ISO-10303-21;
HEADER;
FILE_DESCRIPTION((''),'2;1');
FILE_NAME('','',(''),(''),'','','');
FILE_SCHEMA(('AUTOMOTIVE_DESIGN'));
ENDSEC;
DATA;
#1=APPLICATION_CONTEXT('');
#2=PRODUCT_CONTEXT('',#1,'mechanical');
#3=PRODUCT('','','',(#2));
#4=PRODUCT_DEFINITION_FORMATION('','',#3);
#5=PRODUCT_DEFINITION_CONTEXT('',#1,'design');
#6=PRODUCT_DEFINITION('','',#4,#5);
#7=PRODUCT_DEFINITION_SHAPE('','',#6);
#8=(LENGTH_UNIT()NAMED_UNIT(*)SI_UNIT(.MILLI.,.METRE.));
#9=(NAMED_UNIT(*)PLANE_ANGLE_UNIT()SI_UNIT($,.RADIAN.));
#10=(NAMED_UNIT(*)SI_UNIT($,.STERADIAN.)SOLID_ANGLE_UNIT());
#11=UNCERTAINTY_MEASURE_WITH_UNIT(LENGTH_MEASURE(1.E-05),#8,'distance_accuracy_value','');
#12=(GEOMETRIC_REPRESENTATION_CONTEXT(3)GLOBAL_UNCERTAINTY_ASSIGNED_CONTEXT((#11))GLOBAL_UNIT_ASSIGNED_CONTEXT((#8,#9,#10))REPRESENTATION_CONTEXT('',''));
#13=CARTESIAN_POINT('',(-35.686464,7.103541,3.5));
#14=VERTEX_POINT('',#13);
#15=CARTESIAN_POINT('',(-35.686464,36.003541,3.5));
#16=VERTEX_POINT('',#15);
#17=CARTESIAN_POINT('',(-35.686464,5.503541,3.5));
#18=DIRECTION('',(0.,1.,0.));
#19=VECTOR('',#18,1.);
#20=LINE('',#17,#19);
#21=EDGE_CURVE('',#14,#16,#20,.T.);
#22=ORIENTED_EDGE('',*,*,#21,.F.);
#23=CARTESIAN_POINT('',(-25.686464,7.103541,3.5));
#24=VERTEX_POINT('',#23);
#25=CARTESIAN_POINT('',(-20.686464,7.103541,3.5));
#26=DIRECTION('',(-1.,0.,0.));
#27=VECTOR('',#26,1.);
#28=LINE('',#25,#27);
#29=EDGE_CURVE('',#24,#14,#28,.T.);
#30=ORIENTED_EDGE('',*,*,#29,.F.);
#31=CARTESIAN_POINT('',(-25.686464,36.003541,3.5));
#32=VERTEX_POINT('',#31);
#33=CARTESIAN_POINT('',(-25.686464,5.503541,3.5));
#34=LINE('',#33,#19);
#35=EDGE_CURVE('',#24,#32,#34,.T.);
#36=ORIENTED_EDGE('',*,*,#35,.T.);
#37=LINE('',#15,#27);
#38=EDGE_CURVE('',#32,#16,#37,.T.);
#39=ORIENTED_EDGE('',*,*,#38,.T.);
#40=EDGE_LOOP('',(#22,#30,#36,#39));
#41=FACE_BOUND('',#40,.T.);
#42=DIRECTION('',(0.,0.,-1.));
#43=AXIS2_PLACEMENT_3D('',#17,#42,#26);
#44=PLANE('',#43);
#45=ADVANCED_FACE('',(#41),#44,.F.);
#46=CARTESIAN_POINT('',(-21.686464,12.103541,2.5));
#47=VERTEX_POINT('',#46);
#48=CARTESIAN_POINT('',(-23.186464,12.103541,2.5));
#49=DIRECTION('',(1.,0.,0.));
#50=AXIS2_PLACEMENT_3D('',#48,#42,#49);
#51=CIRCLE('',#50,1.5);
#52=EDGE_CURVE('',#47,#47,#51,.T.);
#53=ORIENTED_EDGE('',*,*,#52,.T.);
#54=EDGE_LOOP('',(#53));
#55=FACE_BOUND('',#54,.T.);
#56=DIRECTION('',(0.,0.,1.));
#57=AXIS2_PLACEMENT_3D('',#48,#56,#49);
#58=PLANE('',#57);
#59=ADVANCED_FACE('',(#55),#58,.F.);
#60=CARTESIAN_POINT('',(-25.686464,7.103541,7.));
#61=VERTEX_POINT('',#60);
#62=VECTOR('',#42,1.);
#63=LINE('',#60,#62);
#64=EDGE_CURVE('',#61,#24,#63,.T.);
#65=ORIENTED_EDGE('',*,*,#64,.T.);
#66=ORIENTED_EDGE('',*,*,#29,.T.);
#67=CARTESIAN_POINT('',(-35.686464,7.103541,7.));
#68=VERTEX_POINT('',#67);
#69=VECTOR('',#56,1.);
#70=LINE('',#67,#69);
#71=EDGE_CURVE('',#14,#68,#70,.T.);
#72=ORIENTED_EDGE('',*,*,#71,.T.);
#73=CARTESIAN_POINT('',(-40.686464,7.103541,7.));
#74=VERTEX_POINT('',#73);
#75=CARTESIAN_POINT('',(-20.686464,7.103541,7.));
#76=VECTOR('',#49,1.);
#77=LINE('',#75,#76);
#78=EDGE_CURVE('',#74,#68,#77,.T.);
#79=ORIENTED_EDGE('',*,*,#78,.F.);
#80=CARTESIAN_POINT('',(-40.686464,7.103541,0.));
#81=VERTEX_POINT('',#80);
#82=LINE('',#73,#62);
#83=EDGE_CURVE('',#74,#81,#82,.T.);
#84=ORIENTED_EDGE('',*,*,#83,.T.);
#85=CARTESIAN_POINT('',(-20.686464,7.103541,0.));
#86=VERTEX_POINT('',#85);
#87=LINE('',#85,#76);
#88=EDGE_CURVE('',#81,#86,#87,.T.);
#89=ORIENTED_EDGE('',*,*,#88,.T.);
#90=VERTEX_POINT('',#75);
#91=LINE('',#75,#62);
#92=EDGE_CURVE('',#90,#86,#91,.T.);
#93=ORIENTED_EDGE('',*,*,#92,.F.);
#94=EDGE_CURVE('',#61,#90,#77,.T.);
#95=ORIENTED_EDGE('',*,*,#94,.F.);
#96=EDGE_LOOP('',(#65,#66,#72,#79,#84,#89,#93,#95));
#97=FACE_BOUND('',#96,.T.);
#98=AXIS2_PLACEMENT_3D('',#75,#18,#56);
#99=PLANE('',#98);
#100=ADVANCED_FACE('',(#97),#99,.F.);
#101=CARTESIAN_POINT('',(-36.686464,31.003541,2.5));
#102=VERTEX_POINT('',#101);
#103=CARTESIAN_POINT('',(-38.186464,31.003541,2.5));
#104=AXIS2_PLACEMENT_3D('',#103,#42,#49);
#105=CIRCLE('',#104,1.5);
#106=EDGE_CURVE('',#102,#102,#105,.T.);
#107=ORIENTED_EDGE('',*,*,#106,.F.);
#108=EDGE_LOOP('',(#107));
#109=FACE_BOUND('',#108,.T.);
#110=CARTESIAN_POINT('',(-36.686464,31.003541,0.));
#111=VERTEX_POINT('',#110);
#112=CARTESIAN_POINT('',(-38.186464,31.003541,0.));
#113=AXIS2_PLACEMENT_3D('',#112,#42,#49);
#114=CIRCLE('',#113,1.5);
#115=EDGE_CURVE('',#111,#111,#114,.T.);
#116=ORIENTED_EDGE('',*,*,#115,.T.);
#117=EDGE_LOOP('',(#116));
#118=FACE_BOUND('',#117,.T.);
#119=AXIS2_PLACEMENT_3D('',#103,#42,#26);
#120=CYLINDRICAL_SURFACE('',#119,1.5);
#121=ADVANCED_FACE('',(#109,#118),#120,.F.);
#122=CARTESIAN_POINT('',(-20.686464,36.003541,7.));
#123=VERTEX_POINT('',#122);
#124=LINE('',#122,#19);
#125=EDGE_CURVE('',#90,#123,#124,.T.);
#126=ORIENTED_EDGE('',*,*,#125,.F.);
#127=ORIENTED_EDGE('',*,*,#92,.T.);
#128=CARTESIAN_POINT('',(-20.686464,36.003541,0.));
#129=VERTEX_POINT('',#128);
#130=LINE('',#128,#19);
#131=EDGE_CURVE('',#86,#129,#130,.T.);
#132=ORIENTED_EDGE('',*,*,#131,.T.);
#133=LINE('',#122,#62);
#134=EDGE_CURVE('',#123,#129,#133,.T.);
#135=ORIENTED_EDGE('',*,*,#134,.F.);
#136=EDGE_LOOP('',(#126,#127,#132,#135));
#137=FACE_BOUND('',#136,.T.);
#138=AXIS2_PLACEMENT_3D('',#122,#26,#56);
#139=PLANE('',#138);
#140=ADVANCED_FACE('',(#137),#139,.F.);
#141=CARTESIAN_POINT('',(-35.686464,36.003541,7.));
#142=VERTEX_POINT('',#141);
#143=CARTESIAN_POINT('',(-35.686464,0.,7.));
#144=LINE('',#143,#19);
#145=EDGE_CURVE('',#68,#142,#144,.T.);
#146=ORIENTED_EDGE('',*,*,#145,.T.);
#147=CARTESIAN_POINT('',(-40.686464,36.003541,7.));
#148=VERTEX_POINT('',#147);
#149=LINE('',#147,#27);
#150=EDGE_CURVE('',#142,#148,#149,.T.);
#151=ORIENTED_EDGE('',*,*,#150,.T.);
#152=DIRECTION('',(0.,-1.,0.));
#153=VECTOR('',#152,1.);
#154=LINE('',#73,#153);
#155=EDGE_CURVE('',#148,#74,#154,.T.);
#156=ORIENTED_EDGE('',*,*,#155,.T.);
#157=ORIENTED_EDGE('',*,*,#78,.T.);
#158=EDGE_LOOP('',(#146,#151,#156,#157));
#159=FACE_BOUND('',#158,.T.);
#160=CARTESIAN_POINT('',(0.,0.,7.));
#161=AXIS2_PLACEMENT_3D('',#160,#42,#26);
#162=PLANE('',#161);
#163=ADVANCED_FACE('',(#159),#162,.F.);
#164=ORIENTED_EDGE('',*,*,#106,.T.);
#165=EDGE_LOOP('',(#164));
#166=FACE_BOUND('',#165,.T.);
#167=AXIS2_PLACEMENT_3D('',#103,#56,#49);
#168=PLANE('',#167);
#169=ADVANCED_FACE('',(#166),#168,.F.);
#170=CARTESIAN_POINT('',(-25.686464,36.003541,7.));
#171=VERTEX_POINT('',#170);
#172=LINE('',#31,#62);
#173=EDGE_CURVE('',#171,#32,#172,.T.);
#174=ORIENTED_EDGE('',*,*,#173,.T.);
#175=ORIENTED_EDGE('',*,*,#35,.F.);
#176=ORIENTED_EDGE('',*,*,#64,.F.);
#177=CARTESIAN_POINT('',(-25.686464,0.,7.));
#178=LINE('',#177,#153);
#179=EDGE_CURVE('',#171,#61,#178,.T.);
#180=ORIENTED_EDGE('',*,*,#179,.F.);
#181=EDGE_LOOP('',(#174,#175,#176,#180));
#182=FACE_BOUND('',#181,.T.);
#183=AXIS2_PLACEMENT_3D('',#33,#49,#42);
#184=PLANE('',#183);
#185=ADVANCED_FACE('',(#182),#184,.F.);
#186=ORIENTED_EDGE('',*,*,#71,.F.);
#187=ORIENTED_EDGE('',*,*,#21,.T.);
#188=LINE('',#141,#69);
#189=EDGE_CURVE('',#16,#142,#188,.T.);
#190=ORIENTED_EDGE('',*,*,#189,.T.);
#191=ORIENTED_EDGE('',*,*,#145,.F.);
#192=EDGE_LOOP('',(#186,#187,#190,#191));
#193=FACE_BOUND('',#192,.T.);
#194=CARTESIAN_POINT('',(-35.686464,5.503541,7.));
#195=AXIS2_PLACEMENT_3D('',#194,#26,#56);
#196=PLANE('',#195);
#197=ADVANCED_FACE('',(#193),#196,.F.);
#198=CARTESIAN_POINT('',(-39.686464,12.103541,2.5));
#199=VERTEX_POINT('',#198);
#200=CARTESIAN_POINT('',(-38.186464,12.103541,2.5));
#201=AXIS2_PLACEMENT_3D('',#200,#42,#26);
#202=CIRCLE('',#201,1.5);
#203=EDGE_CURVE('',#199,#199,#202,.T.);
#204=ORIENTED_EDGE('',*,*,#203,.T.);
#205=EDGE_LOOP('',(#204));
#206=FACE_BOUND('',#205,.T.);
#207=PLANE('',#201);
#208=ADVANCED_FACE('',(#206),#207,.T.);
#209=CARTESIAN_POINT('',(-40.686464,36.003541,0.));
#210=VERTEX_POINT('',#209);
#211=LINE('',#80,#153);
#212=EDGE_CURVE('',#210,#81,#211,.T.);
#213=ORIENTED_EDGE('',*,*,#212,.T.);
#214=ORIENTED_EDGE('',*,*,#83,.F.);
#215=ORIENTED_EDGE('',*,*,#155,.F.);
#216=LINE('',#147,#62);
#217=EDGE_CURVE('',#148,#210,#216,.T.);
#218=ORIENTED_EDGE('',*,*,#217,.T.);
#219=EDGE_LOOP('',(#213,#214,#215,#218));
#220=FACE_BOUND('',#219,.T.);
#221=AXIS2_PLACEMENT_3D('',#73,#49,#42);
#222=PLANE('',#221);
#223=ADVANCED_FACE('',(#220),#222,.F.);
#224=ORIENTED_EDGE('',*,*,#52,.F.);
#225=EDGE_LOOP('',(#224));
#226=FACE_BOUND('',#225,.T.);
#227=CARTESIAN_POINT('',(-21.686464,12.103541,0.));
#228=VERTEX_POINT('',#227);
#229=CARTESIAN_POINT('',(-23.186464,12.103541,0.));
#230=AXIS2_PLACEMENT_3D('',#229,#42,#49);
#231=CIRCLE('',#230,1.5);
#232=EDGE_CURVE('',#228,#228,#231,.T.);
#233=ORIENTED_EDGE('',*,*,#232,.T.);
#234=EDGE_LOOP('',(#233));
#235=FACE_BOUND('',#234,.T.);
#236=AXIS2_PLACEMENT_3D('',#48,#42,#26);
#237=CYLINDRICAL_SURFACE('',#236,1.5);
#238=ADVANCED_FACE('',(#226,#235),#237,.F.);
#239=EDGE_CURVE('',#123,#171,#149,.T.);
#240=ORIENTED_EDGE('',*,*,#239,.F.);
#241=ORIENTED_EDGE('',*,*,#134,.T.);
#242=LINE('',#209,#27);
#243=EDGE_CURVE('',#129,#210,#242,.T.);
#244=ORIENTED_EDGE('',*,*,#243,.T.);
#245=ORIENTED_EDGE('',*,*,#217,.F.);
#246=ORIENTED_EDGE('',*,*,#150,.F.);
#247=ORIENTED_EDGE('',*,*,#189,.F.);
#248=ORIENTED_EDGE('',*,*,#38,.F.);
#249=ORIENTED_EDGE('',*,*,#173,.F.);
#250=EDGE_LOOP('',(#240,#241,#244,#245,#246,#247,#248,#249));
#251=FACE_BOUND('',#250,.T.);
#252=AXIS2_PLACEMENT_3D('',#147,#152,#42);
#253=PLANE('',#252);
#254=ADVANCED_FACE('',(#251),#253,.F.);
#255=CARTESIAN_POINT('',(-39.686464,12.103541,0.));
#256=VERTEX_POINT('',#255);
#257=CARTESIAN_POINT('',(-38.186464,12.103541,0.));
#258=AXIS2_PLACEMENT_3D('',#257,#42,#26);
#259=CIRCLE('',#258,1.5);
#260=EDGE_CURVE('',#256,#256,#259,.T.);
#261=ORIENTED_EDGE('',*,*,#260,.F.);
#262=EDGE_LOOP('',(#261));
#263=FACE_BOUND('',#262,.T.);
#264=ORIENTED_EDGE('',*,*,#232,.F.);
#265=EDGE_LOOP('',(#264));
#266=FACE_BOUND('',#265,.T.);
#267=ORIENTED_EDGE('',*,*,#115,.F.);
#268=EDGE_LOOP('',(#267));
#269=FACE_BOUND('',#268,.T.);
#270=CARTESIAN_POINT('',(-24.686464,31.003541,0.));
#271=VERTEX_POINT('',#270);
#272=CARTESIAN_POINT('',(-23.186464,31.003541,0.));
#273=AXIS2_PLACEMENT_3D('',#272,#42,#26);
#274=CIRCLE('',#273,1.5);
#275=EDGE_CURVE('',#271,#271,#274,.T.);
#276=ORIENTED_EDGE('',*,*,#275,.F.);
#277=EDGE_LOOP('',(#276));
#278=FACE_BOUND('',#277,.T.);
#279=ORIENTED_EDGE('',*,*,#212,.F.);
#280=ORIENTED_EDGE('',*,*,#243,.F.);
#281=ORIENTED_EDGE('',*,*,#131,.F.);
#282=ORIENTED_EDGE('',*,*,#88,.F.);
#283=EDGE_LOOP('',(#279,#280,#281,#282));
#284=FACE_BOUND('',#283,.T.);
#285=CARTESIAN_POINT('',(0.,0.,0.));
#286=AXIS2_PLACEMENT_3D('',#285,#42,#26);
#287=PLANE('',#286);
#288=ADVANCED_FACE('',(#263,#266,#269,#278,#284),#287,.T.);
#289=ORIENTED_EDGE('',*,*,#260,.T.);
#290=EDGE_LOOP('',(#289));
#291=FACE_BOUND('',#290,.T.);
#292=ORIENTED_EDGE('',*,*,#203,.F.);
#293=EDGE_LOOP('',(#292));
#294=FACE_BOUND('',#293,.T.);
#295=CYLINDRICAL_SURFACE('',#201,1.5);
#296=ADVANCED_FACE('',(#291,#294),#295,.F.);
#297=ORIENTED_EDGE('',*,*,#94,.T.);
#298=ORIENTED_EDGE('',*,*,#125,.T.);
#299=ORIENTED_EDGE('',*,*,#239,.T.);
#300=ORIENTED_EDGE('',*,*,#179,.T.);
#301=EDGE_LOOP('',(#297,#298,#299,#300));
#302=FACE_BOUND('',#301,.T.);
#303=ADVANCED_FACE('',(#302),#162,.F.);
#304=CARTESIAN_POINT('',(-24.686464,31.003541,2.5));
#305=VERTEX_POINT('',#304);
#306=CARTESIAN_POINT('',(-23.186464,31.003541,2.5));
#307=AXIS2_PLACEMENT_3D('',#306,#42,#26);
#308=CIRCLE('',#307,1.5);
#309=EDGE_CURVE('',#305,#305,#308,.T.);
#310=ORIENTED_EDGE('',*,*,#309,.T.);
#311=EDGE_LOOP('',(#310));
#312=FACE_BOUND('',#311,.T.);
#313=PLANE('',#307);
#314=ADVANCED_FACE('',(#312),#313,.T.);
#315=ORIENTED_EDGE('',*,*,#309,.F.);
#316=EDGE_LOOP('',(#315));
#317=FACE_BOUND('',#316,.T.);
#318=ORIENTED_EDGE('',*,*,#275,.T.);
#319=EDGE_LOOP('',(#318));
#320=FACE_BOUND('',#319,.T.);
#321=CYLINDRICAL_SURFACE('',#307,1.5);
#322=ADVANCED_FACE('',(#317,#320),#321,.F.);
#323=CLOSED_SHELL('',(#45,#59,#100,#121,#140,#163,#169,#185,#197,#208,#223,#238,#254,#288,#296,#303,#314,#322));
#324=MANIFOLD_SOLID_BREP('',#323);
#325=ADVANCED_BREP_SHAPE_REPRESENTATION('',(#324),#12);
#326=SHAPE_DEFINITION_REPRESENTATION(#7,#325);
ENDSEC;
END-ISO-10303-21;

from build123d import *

# Parameters (mm, degrees)
SKETCH_1_W          = 20
SKETCH_1_H          = 28.9
EXTRUDE_1_DEPTH     = 7
CUT_EXTRUDE_1_DEPTH = 30.5
SKETCH_3_R          = 1.5
CUT_EXTRUDE_2_DEPTH = 2.5


with BuildPart() as part:
    # 草图1 → 凸台-拉伸1 (new body)
    with BuildSketch(Plane.XY):
        with Locations((-30.686463881, 21.553540909)):
            Rectangle(SKETCH_1_W, SKETCH_1_H)
    extrude(amount=EXTRUDE_1_DEPTH)

    # 草图2 → 切除-拉伸1 (cut)
    with BuildSketch(Plane(origin=(0, 36.003540909, 0), x_dir=(1, 0, 0), z_dir=(0, 1, 0))):
        Polygon((-30.686463881, -7), (-35.686463881, -7), (-35.686463881, -3.5), (-25.686463881, -3.5), (-25.686463881, -7), align=None)
    extrude(amount=-CUT_EXTRUDE_1_DEPTH, mode=Mode.SUBTRACT)

    # 草图3 → 切除-拉伸2 (cut)
    with BuildSketch(Plane(origin=(0, 0, 0), x_dir=(-1, 0, 0), z_dir=(0, 0, -1))):
        with Locations((23.186463881, 31.003540909)):
            Circle(SKETCH_3_R)
        with Locations((38.186463881, 31.003540909)):
            Circle(SKETCH_3_R)
        with Locations((38.186463881, 12.103540909)):
            Circle(SKETCH_3_R)
        with Locations((23.186463881, 12.103540909)):
            Circle(SKETCH_3_R)
    extrude(amount=-CUT_EXTRUDE_2_DEPTH, mode=Mode.SUBTRACT)


solid = part.part
